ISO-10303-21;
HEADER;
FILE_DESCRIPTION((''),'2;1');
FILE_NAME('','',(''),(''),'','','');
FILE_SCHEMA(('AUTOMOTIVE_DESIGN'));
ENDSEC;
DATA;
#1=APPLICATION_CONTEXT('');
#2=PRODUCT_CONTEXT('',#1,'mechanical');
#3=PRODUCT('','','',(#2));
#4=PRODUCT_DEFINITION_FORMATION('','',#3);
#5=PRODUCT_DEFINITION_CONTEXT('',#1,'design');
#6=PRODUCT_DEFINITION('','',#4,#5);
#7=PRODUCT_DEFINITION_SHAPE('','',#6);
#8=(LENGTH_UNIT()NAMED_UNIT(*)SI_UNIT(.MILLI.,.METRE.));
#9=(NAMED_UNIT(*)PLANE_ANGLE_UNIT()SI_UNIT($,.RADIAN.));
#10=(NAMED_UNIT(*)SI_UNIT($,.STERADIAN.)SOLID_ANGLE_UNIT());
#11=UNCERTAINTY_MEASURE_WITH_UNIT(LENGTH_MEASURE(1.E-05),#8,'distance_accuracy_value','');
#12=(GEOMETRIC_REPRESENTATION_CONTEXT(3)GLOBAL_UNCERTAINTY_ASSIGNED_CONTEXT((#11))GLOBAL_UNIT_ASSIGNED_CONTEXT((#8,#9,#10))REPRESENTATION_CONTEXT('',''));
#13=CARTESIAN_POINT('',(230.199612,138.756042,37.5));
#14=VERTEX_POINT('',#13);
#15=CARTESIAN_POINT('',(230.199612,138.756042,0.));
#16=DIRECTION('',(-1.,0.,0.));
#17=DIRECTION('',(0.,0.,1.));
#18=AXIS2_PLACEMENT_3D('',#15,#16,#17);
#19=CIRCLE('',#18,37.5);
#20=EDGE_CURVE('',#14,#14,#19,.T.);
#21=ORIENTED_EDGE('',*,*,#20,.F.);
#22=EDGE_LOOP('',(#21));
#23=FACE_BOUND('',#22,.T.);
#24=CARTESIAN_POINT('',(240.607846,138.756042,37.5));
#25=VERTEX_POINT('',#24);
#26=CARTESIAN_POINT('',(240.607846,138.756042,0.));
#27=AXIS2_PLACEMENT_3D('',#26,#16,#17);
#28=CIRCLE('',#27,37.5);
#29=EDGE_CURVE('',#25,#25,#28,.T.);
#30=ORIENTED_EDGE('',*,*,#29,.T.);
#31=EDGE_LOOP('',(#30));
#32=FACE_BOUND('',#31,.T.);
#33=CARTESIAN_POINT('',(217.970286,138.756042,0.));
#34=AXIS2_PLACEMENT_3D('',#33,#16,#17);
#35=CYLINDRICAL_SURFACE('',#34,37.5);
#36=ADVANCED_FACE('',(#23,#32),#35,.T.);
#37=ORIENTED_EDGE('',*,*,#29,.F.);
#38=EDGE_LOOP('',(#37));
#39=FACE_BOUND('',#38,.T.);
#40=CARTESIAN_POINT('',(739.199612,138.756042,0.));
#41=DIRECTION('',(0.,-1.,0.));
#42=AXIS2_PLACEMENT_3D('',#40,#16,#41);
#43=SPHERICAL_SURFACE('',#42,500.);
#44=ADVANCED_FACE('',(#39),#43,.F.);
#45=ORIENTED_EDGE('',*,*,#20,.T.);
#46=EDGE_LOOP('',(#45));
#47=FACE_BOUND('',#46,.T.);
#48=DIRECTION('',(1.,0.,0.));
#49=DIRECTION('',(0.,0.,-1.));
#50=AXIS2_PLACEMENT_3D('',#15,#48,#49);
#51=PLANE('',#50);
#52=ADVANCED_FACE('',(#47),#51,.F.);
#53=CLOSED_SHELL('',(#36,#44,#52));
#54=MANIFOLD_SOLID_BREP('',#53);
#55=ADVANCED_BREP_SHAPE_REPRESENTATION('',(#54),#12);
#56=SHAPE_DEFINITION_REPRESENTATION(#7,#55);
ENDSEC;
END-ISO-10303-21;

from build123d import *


with BuildPart() as part:
    # 草图1 → 旋转1 (revolve)
    with BuildSketch(Plane.XY, mode=Mode.PRIVATE) as revolve_1_sk:
        with BuildLine():
            Line((230.199611905, 138.756042247), (230.199611905, 176.256042247))
            Line((230.199611905, 176.256042247), (240.607845575, 176.256042247))
            ThreePointArc((240.607845575, 176.256042247), (239.551794767, 157.519258392), (239.199612455, 138.756042247))
            Line((239.199612455, 138.756042247), (230.199611905, 138.756042247))
        make_face()
    revolve(revolve_1_sk.sketch.rotate(Axis((217.970286004, 138.756042247, 0), (1, 0, 0)), 180), axis=Axis((217.970286004, 138.756042247, 0), (1, 0, 0)))  # turned: the seam where the file's is


solid = part.part
